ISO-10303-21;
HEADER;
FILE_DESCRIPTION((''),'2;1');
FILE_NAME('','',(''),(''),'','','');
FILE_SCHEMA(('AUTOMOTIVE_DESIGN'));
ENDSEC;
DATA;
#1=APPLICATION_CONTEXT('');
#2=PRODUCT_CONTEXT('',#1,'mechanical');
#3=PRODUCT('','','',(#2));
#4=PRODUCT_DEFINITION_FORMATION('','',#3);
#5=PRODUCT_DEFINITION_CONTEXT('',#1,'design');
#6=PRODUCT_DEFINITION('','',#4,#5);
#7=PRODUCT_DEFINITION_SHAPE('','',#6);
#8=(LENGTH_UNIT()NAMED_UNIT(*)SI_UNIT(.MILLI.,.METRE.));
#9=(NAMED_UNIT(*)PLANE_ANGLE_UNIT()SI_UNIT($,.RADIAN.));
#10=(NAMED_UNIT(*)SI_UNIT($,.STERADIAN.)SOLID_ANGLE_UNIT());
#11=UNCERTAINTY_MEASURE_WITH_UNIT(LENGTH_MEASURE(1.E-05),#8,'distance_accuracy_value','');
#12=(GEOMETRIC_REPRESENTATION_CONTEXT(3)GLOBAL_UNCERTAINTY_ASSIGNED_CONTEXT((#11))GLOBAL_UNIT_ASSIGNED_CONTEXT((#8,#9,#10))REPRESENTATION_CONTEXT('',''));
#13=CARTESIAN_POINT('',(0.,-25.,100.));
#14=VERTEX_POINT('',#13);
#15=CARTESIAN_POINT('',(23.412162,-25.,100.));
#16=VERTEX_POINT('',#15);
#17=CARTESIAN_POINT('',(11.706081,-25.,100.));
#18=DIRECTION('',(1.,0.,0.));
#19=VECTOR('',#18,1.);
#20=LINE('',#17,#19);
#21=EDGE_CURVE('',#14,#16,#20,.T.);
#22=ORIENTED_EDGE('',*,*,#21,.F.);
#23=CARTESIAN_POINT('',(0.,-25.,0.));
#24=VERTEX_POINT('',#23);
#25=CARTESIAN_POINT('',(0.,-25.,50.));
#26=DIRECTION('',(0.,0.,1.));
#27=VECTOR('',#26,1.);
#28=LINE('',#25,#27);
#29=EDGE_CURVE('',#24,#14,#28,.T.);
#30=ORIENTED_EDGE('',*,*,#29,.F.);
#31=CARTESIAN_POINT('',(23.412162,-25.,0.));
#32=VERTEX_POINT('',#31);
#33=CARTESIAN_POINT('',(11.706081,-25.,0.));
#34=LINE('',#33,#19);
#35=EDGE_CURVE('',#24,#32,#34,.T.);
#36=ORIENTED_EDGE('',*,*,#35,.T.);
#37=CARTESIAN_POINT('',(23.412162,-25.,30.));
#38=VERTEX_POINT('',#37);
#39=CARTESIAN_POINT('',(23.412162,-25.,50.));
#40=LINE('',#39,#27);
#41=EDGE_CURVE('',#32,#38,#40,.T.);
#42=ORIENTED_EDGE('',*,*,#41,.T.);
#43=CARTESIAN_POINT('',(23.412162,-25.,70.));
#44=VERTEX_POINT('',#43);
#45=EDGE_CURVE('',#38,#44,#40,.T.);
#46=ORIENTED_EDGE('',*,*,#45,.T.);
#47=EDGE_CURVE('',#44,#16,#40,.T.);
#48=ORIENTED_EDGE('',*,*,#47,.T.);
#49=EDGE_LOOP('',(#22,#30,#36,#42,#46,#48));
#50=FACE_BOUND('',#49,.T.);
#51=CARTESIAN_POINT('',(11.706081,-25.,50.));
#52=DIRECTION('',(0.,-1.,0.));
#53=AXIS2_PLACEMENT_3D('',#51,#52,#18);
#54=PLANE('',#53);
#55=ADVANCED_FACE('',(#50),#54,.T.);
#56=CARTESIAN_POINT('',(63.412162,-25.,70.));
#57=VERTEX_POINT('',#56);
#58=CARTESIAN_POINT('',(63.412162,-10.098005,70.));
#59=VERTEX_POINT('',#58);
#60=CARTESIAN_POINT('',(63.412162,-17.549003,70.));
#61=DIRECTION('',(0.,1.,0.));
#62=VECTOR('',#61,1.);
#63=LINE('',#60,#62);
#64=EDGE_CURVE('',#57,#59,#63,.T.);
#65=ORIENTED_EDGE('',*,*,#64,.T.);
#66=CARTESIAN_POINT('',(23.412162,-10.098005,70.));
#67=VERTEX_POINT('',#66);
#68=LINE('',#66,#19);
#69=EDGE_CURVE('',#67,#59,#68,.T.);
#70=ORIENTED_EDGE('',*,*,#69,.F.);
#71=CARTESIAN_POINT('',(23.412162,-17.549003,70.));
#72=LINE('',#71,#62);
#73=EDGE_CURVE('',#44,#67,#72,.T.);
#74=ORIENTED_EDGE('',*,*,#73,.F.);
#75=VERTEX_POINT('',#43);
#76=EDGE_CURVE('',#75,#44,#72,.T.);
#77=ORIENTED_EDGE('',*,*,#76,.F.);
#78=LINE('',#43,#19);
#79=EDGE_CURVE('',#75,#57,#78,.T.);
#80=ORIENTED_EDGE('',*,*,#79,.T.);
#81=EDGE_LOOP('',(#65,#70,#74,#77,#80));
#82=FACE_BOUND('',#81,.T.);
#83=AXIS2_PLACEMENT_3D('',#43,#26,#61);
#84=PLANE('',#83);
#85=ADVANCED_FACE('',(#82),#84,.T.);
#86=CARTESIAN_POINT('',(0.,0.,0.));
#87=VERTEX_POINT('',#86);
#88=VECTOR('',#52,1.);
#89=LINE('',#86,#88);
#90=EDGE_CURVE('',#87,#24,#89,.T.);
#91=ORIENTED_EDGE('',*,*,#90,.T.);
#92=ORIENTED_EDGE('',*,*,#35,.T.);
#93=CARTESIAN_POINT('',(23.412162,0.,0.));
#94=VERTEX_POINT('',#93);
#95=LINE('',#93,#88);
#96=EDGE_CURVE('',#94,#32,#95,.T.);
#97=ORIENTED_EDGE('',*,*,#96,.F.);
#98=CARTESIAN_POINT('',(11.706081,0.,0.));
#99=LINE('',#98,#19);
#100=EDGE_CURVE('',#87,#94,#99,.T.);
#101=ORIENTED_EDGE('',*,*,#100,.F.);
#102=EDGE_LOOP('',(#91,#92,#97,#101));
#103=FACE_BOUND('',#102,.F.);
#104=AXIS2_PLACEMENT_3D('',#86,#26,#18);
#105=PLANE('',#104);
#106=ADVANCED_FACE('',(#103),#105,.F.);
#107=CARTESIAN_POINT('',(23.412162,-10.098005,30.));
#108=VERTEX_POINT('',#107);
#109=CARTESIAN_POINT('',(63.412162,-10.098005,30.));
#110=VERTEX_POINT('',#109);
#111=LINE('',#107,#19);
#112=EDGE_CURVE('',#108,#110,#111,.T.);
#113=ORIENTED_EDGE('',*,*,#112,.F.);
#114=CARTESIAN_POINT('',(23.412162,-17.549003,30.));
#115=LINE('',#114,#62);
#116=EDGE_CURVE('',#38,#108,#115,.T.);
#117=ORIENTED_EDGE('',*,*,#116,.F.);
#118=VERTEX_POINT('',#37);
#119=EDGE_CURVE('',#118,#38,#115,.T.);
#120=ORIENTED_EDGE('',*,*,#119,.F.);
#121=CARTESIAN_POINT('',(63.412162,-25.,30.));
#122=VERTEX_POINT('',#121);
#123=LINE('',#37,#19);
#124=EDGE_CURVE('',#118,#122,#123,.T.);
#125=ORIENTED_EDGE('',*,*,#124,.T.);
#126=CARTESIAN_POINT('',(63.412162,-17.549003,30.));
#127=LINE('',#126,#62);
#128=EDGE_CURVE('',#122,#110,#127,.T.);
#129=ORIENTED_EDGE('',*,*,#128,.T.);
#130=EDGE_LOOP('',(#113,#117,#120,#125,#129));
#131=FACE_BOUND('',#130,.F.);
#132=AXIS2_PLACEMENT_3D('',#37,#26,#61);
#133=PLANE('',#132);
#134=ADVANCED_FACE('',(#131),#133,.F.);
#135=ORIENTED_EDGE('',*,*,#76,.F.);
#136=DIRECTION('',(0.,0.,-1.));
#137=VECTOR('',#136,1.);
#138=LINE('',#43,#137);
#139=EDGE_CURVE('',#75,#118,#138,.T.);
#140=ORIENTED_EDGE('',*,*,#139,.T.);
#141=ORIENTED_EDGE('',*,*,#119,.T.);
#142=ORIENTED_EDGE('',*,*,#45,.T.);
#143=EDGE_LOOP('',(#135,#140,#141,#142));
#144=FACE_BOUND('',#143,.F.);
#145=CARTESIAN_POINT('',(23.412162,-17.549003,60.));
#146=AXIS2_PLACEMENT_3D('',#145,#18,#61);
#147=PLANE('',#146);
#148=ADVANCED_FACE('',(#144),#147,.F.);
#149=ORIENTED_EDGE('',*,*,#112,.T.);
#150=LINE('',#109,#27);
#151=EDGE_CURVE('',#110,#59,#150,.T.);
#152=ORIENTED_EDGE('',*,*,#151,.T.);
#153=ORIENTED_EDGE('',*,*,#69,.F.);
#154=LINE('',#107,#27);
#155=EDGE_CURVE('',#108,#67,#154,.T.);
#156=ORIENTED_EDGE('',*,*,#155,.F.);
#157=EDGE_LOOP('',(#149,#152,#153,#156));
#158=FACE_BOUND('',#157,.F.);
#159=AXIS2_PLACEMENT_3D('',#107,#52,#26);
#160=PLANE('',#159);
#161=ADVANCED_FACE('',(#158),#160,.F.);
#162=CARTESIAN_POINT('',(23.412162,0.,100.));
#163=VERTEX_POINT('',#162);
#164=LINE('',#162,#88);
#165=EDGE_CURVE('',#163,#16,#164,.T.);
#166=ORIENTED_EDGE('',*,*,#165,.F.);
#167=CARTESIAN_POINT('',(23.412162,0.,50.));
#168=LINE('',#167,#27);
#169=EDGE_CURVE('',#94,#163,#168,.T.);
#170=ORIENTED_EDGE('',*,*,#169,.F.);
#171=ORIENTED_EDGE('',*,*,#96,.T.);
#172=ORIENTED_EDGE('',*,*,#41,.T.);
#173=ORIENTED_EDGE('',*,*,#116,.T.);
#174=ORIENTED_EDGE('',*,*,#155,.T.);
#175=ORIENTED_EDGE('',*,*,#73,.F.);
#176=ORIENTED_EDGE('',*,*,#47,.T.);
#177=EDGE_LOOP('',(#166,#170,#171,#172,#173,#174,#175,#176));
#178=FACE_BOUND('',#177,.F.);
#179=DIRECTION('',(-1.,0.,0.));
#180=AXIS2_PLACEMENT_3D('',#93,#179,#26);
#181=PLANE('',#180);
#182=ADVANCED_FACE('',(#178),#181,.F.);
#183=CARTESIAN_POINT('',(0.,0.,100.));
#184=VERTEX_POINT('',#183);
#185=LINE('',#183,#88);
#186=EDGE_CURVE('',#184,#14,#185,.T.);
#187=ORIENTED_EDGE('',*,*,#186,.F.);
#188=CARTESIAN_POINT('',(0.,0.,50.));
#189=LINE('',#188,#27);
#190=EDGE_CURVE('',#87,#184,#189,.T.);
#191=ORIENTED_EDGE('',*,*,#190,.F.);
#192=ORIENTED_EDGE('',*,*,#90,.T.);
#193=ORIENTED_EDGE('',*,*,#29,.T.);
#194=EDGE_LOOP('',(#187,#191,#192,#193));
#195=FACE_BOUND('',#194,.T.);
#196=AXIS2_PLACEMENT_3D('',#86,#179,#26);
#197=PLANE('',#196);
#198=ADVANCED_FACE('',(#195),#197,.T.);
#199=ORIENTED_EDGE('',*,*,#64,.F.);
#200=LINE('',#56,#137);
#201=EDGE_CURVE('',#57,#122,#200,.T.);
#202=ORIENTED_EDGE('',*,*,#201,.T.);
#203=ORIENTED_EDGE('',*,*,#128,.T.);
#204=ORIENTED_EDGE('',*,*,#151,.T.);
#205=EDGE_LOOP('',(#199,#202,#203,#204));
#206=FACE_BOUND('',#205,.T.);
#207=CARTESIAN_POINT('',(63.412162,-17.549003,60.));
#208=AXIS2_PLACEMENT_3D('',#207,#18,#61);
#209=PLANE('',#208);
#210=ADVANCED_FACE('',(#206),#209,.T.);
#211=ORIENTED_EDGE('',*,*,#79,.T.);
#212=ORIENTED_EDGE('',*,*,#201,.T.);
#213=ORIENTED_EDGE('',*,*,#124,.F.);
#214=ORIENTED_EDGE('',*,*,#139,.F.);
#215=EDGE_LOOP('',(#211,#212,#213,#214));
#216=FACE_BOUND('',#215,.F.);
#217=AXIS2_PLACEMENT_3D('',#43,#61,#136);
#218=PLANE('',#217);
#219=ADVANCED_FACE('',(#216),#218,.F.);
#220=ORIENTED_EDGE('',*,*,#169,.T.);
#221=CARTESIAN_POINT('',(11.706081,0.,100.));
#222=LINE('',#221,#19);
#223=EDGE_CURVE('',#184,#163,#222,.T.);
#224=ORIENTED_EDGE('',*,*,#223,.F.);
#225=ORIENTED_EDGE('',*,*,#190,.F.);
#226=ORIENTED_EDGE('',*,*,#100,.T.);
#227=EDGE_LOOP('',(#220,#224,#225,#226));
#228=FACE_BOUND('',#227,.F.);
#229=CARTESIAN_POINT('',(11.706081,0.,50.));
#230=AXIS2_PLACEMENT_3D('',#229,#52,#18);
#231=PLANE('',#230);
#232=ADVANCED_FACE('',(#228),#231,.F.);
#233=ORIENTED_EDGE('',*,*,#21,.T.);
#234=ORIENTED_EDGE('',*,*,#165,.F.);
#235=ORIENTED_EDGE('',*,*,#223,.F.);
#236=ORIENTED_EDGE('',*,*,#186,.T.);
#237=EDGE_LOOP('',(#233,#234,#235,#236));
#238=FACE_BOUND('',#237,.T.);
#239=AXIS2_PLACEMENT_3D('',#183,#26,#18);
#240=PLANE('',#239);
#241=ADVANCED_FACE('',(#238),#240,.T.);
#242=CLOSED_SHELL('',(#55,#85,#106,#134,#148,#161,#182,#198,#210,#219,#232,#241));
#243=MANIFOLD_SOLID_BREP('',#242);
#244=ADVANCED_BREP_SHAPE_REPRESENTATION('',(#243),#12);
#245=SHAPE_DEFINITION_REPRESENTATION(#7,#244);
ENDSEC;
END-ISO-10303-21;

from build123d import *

# Parameters (mm, degrees)
F0_W     = 23.412162
F0_H     = 100
F1_DEPTH = 25
F2_W     = 14.901995
F2_H     = 20
F3_DEPTH = 40


with BuildPart() as f1:
    # F0 (on Front) → F1 (new body)
    with BuildSketch(Plane.XZ):
        with Locations((11.706081, 50)):
            Rectangle(F0_W, F0_H)
    extrude(amount=F1_DEPTH)

    # F2 (on face) → F3 (join)
    with BuildSketch(Plane.YZ.offset(23.412162)):
        with Locations((-17.549003, 60)):
            Rectangle(F2_W, F2_H)
        with Locations((-17.549003, 40)):
            Rectangle(F2_W, F2_H)
    extrude(amount=F3_DEPTH)


solid = f1.part
